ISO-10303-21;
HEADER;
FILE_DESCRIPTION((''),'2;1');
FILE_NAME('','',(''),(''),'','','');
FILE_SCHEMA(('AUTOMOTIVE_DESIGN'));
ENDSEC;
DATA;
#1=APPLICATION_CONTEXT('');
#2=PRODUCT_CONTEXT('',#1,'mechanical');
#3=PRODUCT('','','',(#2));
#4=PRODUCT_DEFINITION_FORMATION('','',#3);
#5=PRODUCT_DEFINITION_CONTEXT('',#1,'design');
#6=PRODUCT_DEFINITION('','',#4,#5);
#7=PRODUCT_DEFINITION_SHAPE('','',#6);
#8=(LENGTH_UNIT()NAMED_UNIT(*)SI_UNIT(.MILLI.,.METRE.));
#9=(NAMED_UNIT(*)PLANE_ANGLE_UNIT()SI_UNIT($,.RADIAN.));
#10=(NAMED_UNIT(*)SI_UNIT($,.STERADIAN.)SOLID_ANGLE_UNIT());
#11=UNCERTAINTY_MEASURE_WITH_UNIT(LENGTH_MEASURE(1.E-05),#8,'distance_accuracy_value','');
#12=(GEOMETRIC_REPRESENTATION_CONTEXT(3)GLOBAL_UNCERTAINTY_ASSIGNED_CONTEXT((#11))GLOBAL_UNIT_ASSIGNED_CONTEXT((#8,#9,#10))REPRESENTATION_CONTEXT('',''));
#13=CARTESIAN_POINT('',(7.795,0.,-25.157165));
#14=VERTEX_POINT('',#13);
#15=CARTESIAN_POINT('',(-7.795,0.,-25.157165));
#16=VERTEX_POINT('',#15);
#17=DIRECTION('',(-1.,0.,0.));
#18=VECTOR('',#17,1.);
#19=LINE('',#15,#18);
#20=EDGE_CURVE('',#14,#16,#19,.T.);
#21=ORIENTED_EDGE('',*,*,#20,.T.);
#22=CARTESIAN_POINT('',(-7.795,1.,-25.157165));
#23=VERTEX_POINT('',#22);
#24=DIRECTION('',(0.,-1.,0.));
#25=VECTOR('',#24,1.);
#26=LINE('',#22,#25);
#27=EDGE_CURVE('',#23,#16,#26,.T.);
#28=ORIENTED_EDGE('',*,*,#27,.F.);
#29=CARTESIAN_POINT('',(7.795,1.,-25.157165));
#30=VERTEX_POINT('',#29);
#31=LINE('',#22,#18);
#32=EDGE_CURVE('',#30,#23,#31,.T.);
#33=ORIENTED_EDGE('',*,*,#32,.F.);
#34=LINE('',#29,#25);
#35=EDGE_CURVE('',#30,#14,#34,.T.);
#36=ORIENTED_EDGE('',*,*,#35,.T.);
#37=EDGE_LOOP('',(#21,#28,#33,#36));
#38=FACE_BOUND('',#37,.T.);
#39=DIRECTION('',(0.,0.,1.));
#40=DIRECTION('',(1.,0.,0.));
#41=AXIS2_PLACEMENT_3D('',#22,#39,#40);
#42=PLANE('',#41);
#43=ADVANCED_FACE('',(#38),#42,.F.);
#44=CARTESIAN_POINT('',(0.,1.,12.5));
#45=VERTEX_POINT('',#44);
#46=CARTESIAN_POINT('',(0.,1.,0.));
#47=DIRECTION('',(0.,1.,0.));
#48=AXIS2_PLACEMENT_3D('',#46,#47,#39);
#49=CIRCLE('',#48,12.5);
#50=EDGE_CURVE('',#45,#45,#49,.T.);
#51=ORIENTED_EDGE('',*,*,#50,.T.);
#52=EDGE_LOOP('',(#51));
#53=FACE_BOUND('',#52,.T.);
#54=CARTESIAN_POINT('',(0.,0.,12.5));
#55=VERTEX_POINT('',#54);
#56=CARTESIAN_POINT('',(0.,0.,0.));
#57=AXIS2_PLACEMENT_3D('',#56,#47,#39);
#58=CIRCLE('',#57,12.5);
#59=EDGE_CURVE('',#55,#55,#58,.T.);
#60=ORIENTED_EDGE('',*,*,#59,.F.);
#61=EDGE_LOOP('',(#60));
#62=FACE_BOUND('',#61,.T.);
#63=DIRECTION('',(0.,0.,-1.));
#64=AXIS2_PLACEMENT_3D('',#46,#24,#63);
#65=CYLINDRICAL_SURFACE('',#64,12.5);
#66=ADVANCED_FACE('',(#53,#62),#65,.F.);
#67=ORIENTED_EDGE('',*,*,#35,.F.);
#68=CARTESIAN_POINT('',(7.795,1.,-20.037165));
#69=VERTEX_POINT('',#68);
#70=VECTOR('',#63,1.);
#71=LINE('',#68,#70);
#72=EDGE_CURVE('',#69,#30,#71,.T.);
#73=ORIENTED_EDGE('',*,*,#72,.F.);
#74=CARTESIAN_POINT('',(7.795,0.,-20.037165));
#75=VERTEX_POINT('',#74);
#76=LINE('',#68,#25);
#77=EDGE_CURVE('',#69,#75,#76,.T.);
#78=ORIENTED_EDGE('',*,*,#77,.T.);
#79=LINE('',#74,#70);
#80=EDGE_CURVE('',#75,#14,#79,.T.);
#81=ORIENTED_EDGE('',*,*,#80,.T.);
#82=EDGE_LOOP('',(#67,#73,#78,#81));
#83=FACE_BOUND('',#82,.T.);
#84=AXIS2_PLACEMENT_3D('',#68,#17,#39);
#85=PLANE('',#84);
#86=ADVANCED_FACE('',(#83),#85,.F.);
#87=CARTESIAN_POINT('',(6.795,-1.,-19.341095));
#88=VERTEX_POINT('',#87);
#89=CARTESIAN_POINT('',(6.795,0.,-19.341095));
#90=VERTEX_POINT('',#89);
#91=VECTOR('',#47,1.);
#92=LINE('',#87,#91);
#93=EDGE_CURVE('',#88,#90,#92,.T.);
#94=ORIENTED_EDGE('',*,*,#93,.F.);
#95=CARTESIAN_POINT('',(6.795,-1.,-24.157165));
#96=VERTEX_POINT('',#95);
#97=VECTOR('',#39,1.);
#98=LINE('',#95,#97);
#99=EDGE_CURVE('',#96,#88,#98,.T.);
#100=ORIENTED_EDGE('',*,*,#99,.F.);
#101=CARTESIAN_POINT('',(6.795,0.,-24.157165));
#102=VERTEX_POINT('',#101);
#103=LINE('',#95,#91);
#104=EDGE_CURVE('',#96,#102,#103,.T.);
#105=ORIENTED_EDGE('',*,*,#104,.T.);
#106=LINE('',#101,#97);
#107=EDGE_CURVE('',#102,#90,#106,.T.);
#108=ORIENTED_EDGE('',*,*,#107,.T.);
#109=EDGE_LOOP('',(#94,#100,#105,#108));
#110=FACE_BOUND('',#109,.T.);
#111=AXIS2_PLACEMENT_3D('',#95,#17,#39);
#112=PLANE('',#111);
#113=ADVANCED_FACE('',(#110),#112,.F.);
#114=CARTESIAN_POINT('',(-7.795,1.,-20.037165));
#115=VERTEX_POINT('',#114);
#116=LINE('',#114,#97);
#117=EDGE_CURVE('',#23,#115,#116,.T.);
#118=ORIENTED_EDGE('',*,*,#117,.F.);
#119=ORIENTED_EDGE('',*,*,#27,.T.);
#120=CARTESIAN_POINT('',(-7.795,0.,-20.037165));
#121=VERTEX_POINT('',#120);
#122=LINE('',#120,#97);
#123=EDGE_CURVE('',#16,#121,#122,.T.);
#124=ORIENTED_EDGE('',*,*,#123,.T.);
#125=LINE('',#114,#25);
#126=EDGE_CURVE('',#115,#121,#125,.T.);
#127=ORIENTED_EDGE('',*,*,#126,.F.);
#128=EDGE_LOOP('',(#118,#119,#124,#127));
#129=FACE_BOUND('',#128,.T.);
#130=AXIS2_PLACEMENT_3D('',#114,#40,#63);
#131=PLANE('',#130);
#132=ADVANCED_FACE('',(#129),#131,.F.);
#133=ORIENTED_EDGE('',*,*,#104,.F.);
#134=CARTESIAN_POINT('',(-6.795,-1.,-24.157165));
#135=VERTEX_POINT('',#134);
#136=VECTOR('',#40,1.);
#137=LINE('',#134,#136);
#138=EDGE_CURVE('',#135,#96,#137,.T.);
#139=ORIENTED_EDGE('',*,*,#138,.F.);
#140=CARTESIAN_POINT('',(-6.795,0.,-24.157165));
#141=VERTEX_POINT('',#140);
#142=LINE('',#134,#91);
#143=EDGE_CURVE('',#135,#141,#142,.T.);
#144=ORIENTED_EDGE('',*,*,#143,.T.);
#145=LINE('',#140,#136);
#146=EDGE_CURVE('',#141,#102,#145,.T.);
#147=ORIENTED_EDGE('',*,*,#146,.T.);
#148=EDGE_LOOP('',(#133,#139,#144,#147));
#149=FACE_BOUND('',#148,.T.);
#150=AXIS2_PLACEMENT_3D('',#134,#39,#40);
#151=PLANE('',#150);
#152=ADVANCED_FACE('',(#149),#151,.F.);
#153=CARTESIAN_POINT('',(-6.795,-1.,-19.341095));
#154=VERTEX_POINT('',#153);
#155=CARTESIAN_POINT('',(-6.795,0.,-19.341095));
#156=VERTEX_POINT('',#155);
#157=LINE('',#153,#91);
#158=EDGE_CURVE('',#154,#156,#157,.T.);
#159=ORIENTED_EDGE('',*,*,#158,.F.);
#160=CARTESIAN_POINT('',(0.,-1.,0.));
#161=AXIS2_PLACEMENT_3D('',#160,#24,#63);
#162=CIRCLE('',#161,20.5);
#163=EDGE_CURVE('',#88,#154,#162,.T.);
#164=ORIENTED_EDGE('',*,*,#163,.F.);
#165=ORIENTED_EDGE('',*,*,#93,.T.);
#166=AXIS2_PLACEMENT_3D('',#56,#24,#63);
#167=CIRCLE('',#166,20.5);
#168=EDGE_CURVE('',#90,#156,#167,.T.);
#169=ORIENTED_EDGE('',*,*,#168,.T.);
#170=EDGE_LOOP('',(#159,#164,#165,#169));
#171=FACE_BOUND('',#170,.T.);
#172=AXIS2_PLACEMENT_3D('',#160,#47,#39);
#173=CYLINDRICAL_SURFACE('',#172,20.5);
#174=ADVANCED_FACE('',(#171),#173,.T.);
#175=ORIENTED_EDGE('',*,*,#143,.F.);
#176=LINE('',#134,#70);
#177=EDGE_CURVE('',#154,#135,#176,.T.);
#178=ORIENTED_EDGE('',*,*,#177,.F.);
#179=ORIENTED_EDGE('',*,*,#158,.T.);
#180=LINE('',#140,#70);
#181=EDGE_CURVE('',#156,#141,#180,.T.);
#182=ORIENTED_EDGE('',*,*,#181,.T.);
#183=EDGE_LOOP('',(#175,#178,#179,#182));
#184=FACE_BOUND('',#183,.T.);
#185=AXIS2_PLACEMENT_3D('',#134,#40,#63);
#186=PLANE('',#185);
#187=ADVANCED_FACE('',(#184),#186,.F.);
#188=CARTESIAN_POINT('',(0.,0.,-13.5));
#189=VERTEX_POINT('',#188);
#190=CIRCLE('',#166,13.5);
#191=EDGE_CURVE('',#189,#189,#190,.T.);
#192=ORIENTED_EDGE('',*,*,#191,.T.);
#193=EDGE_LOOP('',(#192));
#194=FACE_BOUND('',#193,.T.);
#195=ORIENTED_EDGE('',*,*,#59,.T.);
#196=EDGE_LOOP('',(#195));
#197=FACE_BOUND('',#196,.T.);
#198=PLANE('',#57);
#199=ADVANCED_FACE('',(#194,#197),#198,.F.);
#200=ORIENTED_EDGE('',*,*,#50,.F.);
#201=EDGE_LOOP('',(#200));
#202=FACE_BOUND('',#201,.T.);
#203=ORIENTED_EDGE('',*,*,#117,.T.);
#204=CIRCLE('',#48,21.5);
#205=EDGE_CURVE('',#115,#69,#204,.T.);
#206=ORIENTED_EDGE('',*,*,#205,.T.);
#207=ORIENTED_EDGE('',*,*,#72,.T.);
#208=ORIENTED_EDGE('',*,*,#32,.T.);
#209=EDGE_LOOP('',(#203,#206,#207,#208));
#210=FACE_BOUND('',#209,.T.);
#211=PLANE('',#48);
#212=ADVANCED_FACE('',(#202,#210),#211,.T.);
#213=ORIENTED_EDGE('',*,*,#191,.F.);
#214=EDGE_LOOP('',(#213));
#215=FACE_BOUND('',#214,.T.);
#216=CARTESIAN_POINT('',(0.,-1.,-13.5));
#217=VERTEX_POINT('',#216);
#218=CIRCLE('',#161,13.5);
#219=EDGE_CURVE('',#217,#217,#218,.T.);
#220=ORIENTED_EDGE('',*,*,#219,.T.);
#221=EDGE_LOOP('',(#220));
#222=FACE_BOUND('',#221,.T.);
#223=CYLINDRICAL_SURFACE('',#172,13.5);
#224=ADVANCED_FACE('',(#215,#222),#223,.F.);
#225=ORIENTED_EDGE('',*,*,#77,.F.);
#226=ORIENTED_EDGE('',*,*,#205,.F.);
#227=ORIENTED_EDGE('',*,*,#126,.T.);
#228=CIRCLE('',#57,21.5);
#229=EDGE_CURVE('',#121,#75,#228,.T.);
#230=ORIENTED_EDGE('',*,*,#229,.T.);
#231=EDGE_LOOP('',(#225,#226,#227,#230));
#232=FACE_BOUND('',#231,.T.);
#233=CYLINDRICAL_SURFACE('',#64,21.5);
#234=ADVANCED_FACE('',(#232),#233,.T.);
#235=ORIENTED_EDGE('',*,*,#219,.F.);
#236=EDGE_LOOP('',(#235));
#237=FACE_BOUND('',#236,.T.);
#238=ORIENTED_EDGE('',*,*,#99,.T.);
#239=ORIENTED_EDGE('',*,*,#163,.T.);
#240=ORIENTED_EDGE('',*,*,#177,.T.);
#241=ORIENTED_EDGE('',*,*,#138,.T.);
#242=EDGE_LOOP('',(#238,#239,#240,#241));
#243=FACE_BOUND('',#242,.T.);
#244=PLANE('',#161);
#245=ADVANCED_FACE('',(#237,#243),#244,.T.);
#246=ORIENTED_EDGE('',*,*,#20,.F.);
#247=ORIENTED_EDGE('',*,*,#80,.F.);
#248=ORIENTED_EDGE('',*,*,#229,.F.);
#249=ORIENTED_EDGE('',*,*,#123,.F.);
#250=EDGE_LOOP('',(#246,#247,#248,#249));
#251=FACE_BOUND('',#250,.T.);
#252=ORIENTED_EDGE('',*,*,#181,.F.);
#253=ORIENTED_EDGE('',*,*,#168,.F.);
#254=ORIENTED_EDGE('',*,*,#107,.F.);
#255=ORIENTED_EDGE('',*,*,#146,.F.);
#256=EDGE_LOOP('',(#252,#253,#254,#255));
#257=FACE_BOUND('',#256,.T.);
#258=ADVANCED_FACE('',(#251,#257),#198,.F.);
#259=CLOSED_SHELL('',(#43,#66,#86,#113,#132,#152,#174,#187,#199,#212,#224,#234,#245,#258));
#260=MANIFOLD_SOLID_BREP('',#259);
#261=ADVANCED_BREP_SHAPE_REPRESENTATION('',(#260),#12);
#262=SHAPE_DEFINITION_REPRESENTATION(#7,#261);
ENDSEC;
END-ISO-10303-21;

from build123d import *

# Parameters (mm, degrees)
SKETCH1_R           = 12.5
BOSS_EXTRUDE1_DEPTH = 1
SKETCH2_R           = 13.5
BOSS_EXTRUDE2_DEPTH = 1


with BuildPart() as part:
    # Sketch1 → Boss-Extrude1 (new body)
    with BuildSketch(Plane(origin=(0, 0, 0), x_dir=(1, 0, 0), z_dir=(0, 1, 0))):
        with BuildLine():
            Line((-7.795, 20.037164844), (-7.795, 25.157164844))
            Line((-7.795, 25.157164844), (7.795, 25.157164844))
            Line((7.795, 25.157164844), (7.795, 20.037164844))
            ThreePointArc((7.795, 20.037164844), (0, -21.5), (-7.795, 20.037164844))
        make_face()
        Circle(SKETCH1_R, mode=Mode.SUBTRACT)
    extrude(amount=BOSS_EXTRUDE1_DEPTH)

    # Sketch2 → Boss-Extrude2 (add)
    with BuildSketch(Plane.XZ):
        with BuildLine():
            Line((-6.795, -24.157164844), (6.795, -24.157164844))
            Line((6.795, -24.157164844), (6.795, -19.341095496))
            ThreePointArc((6.795, -19.341095496), (0, 20.5), (-6.795, -19.341095496))
            Line((-6.795, -19.341095496), (-6.795, -24.157164844))
        make_face()
        Circle(SKETCH2_R, mode=Mode.SUBTRACT)
    extrude(amount=BOSS_EXTRUDE2_DEPTH)


solid = part.part
